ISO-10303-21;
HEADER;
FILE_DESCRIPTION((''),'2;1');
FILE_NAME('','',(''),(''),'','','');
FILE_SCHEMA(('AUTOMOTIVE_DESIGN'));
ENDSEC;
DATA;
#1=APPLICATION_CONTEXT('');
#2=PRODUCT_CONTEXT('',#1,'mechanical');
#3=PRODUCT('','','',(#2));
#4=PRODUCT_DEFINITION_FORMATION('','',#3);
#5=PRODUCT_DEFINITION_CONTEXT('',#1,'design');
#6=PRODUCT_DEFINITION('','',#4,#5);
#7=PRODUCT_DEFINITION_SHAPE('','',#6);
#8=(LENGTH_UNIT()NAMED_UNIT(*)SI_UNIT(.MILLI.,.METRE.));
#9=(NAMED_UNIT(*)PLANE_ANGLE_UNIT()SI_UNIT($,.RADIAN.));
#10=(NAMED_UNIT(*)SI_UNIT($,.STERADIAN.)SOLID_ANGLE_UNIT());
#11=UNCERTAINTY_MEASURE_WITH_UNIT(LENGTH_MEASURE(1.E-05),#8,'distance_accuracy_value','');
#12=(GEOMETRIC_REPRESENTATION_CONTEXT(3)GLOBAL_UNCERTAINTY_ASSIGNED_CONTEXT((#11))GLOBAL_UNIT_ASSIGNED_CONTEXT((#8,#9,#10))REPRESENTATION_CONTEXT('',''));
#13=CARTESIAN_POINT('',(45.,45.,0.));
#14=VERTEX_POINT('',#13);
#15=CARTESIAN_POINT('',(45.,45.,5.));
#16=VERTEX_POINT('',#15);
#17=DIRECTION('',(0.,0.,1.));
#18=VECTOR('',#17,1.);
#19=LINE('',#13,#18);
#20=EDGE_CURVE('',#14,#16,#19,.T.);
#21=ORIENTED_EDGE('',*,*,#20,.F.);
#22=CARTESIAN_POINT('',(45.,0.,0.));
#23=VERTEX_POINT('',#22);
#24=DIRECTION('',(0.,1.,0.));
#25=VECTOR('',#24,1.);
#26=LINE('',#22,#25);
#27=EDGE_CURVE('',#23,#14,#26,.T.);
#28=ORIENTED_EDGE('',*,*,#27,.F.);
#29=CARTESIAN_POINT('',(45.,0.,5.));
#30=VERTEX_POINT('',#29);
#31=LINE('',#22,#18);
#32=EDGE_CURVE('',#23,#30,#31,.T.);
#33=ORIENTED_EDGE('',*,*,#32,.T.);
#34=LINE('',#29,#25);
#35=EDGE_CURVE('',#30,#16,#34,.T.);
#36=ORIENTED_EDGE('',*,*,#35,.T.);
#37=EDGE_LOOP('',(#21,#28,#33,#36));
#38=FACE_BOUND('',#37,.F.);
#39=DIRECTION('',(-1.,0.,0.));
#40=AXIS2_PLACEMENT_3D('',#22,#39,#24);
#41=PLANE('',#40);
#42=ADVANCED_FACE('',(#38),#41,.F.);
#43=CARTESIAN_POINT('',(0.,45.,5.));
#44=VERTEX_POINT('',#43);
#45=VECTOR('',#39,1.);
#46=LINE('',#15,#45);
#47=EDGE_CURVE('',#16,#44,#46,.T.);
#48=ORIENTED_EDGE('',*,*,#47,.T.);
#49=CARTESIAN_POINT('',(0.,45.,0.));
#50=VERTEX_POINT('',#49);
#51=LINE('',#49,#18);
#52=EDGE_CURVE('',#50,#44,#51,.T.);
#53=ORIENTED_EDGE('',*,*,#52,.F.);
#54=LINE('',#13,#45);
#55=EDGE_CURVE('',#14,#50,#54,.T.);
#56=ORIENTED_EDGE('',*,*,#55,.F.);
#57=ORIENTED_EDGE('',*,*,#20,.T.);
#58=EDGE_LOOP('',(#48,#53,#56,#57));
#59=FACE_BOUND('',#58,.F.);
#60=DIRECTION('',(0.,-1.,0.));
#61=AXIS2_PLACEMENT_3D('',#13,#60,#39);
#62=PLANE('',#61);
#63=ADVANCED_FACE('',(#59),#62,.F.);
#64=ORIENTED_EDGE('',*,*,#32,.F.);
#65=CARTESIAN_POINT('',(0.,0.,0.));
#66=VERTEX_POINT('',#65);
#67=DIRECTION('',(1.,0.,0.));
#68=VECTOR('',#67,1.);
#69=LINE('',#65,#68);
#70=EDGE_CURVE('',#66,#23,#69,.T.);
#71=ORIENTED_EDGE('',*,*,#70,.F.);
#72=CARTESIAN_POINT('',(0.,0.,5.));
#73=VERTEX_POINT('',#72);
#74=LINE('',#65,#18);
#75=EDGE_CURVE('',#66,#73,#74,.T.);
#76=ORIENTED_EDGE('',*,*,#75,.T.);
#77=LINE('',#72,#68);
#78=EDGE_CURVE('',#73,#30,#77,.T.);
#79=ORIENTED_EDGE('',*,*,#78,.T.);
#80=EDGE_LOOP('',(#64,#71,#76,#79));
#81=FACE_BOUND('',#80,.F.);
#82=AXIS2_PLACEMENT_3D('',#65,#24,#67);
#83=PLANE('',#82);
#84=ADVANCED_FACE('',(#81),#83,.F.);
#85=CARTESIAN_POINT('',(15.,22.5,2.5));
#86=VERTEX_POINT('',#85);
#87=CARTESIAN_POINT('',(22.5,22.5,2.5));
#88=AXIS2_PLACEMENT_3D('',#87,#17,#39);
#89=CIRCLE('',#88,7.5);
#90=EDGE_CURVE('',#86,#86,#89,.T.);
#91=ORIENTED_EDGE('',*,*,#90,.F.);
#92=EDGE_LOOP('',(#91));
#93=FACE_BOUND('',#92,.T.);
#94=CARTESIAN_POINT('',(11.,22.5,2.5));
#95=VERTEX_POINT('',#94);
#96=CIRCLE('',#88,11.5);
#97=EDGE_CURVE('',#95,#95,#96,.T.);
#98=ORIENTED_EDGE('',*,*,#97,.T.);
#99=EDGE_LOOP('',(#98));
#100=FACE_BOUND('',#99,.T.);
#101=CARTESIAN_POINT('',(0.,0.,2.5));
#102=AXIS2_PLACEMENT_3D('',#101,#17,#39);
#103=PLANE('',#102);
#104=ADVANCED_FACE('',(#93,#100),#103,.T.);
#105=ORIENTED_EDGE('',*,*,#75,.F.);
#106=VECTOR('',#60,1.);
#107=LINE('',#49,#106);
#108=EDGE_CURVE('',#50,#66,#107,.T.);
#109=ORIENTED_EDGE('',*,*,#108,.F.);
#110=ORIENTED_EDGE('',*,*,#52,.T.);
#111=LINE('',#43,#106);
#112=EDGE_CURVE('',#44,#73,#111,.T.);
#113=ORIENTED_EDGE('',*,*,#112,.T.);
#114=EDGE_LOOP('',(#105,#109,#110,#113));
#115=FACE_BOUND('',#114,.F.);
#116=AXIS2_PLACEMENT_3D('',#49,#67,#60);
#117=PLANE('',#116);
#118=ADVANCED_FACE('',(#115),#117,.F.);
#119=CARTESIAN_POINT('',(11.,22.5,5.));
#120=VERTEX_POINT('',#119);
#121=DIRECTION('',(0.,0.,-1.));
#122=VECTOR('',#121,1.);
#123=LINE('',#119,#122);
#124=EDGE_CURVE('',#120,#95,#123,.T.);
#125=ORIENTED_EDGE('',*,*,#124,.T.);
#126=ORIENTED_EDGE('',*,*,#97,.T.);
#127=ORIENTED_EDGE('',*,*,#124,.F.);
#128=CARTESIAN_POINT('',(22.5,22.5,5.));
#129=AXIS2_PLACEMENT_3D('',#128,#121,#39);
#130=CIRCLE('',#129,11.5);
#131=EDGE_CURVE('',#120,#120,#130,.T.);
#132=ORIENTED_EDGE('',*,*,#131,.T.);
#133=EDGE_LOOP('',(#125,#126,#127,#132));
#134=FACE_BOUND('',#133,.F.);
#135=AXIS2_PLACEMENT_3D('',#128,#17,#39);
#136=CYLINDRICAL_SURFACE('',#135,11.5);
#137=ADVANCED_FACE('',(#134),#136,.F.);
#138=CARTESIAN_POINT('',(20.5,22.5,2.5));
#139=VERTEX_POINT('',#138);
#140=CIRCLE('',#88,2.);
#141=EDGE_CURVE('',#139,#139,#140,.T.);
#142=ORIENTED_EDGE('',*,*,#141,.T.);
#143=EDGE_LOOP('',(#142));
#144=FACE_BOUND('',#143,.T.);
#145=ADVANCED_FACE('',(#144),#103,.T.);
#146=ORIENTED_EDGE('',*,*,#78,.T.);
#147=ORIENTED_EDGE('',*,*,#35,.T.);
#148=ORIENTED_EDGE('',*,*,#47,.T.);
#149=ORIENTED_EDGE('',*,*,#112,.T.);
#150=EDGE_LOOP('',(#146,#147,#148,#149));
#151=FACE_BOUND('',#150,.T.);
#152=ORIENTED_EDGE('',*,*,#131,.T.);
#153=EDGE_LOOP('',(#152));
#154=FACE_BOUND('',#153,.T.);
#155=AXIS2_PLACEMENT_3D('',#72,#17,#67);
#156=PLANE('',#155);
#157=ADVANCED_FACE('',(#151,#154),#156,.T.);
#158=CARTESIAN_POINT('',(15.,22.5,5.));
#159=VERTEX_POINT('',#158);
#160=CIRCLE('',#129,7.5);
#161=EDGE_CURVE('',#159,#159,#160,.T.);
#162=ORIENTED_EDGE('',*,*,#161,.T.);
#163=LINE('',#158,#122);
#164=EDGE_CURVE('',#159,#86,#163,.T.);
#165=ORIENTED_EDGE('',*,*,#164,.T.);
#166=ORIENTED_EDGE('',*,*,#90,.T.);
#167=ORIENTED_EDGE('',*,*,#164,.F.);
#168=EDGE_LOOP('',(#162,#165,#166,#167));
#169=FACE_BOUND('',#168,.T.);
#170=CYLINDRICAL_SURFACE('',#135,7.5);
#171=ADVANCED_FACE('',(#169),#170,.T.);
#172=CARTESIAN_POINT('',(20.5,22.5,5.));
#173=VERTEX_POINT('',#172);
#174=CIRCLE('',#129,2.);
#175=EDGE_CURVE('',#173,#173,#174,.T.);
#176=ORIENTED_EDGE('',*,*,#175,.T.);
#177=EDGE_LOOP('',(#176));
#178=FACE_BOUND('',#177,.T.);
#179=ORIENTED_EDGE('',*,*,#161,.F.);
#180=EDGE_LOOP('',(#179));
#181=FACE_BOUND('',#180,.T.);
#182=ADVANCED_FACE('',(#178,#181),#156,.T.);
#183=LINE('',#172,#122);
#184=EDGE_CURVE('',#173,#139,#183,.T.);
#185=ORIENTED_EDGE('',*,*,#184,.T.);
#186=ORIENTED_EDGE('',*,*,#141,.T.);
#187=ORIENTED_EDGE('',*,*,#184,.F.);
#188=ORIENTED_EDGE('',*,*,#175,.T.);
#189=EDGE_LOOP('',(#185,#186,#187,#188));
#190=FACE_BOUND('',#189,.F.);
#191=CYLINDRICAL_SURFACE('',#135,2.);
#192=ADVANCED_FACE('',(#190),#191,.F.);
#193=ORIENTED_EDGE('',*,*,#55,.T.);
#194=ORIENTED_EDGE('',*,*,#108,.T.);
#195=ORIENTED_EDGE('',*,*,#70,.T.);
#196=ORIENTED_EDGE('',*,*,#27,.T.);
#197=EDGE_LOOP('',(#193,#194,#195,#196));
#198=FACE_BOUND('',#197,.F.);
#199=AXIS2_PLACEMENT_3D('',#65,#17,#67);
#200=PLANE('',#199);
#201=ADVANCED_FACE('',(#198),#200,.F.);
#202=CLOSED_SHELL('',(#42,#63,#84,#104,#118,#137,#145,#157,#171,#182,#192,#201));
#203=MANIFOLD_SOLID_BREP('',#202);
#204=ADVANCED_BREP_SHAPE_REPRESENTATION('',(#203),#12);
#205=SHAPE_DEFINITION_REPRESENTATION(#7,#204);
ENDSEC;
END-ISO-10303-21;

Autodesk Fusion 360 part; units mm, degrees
sketch "Sketch1" plane through (0, 0, 0) normal (0, 0, 1) x (1, 0, 0)
  line L0 (0, 0) -> (45, 0)
  line L1 (45, 0) -> (45, 45)
  line L2 (45, 45) -> (0, 45)
  line L3 (0, 45) -> (0, 0)
  dimension "d9" = 45
  dimension "d10" = 45
extrude "Extrude1" add sketch "Sketch1" along normal blind 5
sketch "Sketch2" plane through (0, 0, 5) normal (0, 0, 1) x (-1, 0, 0)
  line L0 (0, -45) -> (0, 0)
  line L1 (0, 0) -> (-45, 0)
  line L2 (-45, 0) -> (-45, -45)
  line L3 (-45, -45) -> (0, -45)
  line L4 (0, -45) -> (-45, -45)
  line L5 (-45, -45) -> (-45, -50)
  line L6 (-45, -50) -> (0, -50)
  line L7 (0, -50) -> (0, -45)
  line L8 (0, 0) -> (-45, 0)
  line L9 (-45, 0) -> (-45, 5)
  line L10 (-45, 5) -> (0, 5)
  line L11 (0, 5) -> (0, 0)
  line L12 (0, -50) -> (-45, 5)
  line L13 (-45, -50) -> (0, 5)
  circle A0 centre (-22.5, -22.5) radius 7.5
  circle A1 centre (-22.5, -22.5) radius 11.5
  circle A2 centre (-22.5, -22.5) radius 2
  dimension "d13" = 45
  dimension "d14" = 5
  dimension "d15" = 45
  dimension "d16" = 5
  dimension "d17" = 15
  dimension "d18" = 23
  dimension "d19" = 4
extrude "Extrude2" cut sketch "Sketch2" against normal blind 2.5 contours L12 L13 A0 A1 | L12 L13 A0 A1 | L12 L13 A0 A1 | L12 L13 A0 A1 | L12 L13 A2 | L12 L13 A2 | L12 L13 A2 | L12 L13 A2
